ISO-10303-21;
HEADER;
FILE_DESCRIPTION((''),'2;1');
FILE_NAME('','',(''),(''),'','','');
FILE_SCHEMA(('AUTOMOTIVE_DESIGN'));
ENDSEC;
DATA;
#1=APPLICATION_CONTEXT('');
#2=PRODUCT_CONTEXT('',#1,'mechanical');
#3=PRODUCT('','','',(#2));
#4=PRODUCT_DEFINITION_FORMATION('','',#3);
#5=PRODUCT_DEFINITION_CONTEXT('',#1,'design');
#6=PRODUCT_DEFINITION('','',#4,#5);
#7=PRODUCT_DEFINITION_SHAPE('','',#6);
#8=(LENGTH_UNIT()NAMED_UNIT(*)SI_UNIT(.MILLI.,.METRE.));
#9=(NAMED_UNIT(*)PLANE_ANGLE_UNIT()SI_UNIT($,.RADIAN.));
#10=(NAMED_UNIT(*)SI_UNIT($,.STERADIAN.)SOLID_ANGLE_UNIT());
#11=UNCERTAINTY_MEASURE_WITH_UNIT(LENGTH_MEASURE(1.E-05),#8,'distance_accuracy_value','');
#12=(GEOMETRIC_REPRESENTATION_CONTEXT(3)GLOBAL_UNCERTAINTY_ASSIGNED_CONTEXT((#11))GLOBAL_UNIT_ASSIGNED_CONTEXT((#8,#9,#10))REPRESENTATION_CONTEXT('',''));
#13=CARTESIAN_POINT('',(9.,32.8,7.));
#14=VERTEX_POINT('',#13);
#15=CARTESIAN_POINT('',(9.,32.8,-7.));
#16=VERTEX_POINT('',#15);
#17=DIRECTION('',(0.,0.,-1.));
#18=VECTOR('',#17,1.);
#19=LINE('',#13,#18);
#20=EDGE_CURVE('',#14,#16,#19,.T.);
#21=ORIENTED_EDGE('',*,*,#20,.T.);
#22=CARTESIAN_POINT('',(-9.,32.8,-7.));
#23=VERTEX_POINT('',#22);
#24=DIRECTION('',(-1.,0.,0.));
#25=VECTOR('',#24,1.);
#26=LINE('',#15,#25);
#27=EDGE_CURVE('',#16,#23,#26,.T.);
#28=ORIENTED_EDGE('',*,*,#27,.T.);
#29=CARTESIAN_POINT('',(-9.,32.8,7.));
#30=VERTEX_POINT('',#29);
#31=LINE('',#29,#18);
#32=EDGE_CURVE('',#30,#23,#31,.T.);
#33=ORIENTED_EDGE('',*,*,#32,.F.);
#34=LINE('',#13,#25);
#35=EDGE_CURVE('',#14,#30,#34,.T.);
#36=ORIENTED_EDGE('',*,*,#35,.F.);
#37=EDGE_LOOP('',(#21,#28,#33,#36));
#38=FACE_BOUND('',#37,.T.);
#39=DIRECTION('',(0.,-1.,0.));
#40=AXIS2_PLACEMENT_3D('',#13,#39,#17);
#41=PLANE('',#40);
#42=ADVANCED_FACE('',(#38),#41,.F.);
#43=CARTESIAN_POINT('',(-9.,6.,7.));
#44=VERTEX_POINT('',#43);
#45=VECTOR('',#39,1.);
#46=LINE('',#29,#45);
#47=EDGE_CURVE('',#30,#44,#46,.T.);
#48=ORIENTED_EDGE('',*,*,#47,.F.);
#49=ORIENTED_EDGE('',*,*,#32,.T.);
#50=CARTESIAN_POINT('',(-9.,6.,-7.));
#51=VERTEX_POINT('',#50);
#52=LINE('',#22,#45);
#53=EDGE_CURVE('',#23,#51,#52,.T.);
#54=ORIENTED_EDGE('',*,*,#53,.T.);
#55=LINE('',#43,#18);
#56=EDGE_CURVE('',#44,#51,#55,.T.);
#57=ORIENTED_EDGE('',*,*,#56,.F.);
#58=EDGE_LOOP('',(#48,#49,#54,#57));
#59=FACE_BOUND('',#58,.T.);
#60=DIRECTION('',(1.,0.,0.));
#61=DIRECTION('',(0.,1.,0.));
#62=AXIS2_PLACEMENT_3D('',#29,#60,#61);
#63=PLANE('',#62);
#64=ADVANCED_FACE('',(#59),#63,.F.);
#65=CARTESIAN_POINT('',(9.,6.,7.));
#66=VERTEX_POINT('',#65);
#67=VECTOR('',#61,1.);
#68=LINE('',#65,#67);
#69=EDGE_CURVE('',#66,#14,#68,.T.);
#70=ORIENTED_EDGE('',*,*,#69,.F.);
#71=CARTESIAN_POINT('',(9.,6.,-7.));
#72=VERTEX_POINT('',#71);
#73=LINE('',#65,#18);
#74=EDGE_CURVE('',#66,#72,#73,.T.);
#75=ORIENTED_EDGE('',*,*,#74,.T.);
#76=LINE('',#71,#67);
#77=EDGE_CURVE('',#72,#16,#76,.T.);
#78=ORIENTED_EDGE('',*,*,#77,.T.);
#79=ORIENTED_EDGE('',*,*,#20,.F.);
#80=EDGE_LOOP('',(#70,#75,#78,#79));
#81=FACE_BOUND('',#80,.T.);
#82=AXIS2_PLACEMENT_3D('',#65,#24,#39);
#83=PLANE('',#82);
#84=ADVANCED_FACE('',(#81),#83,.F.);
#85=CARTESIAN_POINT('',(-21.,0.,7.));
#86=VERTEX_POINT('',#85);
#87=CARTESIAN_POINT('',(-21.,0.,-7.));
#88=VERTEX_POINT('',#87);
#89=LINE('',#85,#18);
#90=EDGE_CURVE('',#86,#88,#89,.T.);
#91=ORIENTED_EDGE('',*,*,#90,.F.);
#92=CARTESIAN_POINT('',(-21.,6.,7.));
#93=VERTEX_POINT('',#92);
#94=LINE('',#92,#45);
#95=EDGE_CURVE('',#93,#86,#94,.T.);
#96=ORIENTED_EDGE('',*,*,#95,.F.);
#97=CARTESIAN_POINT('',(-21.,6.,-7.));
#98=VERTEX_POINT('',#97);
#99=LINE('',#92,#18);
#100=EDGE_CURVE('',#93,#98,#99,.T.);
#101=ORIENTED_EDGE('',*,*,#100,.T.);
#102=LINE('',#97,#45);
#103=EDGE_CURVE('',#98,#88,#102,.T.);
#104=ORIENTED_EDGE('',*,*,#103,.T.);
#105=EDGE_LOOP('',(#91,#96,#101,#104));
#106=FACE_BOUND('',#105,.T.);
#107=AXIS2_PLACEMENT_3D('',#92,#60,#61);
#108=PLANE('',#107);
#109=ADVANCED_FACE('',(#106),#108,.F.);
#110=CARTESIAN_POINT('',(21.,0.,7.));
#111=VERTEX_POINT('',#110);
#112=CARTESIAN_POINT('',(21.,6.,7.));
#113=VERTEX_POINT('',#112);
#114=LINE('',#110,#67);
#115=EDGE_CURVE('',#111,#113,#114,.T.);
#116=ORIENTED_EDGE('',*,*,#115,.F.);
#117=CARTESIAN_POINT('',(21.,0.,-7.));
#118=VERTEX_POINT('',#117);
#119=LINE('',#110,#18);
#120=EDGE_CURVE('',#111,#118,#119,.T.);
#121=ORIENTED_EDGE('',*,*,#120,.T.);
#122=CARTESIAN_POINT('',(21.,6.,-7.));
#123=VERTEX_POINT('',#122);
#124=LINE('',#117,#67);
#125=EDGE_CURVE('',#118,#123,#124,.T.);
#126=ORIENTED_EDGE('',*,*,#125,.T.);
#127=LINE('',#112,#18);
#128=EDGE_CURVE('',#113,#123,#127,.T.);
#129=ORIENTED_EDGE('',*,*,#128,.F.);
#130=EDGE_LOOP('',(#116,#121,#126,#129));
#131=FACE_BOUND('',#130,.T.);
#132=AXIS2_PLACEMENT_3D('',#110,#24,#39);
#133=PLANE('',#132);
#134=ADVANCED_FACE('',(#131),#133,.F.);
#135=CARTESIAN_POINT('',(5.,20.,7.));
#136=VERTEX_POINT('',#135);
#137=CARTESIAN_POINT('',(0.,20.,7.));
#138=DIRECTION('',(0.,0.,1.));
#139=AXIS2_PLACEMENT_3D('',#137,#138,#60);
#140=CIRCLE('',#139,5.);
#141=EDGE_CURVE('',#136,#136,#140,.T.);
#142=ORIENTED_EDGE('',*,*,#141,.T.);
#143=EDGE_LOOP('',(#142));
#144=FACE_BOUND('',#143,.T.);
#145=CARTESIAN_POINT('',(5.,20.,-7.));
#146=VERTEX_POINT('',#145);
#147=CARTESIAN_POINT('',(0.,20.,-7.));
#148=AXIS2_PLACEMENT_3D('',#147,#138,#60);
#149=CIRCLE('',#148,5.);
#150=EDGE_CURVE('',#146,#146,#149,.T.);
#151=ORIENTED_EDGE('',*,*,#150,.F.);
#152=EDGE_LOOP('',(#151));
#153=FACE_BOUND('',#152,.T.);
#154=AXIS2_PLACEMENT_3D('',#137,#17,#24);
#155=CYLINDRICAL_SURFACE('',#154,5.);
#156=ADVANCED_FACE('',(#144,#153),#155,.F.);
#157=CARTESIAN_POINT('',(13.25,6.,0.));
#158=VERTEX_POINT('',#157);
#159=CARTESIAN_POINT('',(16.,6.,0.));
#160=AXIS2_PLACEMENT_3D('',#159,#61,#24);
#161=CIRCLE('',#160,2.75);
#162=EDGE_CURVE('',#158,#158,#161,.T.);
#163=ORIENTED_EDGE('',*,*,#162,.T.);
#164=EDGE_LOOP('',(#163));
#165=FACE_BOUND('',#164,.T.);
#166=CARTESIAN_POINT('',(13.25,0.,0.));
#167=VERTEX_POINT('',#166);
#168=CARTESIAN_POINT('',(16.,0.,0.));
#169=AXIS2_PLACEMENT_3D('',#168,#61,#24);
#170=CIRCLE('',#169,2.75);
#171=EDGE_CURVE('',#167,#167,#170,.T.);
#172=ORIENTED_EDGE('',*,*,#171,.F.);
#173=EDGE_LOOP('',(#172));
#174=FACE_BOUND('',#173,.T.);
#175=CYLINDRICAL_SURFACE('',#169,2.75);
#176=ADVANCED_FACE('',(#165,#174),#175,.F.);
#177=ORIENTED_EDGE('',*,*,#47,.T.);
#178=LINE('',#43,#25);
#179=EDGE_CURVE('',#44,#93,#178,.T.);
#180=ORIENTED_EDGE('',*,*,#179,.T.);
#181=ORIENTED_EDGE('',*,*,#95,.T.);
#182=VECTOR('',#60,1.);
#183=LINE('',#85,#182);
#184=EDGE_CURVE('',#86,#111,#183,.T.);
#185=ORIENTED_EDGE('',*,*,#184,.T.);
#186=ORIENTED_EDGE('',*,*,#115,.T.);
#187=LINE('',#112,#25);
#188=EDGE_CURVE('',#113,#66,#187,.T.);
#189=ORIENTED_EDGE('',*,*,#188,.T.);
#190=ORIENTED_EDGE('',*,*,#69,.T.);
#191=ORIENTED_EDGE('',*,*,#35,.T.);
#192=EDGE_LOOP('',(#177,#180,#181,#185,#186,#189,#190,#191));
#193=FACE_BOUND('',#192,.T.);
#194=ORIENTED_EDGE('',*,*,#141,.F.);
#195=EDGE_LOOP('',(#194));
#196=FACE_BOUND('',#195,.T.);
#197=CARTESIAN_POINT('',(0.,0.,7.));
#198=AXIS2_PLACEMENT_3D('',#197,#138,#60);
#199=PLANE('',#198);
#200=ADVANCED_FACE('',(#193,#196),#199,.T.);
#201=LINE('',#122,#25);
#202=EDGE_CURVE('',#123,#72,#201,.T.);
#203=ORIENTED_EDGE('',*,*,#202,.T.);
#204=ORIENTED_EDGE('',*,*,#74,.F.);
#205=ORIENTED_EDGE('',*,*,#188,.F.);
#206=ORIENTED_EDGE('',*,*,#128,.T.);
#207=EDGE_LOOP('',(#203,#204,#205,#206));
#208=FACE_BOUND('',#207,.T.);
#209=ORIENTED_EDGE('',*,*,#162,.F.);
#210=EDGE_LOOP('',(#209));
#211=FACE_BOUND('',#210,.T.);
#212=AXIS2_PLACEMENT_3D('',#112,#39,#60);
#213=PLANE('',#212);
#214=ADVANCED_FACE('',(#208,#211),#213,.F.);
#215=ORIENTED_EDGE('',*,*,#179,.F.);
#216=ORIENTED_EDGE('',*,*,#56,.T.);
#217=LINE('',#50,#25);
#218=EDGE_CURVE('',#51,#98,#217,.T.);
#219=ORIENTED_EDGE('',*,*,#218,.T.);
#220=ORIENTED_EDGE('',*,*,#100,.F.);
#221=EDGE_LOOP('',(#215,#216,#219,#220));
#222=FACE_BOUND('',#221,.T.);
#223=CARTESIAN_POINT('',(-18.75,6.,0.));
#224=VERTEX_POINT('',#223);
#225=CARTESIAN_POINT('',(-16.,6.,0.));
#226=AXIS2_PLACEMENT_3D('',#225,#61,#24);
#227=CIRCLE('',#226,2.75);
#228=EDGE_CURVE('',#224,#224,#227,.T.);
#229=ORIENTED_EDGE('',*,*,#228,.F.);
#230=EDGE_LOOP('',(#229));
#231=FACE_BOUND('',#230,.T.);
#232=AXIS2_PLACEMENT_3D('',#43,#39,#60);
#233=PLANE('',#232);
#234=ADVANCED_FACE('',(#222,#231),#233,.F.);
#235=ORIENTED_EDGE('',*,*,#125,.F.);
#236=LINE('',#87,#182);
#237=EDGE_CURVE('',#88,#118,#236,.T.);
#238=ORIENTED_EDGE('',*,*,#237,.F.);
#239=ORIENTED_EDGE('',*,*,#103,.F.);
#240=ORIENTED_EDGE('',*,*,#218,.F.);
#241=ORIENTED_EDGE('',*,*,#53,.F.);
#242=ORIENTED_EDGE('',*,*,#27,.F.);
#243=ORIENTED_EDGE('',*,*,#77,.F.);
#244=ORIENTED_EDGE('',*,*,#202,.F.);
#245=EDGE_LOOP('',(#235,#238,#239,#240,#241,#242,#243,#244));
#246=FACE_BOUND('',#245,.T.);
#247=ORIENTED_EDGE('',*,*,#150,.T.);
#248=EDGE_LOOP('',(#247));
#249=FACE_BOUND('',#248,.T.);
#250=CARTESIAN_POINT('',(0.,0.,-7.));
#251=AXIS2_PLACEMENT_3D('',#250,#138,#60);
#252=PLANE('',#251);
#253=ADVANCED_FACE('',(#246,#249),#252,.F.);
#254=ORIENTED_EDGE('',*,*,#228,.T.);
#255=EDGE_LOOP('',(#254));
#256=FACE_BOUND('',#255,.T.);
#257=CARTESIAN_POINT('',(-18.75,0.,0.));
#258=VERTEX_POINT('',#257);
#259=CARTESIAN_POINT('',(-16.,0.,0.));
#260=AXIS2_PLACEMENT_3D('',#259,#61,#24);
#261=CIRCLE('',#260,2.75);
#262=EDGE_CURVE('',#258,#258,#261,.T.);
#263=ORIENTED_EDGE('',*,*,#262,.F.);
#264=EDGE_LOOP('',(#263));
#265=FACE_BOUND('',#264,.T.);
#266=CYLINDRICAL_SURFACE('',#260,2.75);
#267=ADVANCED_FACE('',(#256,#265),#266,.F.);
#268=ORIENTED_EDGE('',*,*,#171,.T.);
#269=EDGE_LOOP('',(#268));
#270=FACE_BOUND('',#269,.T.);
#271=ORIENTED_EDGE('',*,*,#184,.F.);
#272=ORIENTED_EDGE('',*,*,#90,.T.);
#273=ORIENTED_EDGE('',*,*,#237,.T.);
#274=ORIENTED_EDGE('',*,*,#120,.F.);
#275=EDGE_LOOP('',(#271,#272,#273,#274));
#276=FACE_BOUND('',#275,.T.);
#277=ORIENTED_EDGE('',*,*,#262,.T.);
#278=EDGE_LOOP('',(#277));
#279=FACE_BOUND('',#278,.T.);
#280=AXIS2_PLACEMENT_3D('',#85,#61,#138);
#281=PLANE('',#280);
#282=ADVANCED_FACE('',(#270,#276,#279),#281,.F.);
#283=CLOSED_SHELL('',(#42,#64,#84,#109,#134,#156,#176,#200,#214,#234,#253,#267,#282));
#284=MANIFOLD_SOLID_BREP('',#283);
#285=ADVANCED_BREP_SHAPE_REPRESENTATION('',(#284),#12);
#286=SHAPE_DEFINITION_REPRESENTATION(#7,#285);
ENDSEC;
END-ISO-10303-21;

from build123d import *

# Parameters (mm, degrees)
SKETCH1_R           = 5
BOSS_EXTRUDE1_DEPTH = 7
SKETCH2_R           = 2.75
CUT_EXTRUDE1_DEPTH  = 35.759746835


with BuildPart() as part:
    # Sketch1 → Boss-Extrude1 (new, symmetric)
    with BuildSketch(Plane.XY):
        Polygon((-21, 0), (21, 0), (21, 6), (9, 6), (9, 32.8), (-9, 32.8), (-9, 6), (-21, 6), align=None)
        with Locations((0, 20)):
            Circle(SKETCH1_R, mode=Mode.SUBTRACT)
    extrude(amount=BOSS_EXTRUDE1_DEPTH, both=True)

    # Sketch2 → Cut-Extrude1 (cut, through all)
    with BuildSketch(Plane(origin=(0, 6, 0), x_dir=(1, 0, 0), z_dir=(0, 1, 0))):
        with Locations(Location((-16, 0, 0), (0, 0, 180))):
            Circle(SKETCH2_R)
        with Locations(Location((16, 0, 0), (0, 0, 180))):
            Circle(SKETCH2_R)
    extrude(amount=-CUT_EXTRUDE1_DEPTH, mode=Mode.SUBTRACT)


solid = part.part
